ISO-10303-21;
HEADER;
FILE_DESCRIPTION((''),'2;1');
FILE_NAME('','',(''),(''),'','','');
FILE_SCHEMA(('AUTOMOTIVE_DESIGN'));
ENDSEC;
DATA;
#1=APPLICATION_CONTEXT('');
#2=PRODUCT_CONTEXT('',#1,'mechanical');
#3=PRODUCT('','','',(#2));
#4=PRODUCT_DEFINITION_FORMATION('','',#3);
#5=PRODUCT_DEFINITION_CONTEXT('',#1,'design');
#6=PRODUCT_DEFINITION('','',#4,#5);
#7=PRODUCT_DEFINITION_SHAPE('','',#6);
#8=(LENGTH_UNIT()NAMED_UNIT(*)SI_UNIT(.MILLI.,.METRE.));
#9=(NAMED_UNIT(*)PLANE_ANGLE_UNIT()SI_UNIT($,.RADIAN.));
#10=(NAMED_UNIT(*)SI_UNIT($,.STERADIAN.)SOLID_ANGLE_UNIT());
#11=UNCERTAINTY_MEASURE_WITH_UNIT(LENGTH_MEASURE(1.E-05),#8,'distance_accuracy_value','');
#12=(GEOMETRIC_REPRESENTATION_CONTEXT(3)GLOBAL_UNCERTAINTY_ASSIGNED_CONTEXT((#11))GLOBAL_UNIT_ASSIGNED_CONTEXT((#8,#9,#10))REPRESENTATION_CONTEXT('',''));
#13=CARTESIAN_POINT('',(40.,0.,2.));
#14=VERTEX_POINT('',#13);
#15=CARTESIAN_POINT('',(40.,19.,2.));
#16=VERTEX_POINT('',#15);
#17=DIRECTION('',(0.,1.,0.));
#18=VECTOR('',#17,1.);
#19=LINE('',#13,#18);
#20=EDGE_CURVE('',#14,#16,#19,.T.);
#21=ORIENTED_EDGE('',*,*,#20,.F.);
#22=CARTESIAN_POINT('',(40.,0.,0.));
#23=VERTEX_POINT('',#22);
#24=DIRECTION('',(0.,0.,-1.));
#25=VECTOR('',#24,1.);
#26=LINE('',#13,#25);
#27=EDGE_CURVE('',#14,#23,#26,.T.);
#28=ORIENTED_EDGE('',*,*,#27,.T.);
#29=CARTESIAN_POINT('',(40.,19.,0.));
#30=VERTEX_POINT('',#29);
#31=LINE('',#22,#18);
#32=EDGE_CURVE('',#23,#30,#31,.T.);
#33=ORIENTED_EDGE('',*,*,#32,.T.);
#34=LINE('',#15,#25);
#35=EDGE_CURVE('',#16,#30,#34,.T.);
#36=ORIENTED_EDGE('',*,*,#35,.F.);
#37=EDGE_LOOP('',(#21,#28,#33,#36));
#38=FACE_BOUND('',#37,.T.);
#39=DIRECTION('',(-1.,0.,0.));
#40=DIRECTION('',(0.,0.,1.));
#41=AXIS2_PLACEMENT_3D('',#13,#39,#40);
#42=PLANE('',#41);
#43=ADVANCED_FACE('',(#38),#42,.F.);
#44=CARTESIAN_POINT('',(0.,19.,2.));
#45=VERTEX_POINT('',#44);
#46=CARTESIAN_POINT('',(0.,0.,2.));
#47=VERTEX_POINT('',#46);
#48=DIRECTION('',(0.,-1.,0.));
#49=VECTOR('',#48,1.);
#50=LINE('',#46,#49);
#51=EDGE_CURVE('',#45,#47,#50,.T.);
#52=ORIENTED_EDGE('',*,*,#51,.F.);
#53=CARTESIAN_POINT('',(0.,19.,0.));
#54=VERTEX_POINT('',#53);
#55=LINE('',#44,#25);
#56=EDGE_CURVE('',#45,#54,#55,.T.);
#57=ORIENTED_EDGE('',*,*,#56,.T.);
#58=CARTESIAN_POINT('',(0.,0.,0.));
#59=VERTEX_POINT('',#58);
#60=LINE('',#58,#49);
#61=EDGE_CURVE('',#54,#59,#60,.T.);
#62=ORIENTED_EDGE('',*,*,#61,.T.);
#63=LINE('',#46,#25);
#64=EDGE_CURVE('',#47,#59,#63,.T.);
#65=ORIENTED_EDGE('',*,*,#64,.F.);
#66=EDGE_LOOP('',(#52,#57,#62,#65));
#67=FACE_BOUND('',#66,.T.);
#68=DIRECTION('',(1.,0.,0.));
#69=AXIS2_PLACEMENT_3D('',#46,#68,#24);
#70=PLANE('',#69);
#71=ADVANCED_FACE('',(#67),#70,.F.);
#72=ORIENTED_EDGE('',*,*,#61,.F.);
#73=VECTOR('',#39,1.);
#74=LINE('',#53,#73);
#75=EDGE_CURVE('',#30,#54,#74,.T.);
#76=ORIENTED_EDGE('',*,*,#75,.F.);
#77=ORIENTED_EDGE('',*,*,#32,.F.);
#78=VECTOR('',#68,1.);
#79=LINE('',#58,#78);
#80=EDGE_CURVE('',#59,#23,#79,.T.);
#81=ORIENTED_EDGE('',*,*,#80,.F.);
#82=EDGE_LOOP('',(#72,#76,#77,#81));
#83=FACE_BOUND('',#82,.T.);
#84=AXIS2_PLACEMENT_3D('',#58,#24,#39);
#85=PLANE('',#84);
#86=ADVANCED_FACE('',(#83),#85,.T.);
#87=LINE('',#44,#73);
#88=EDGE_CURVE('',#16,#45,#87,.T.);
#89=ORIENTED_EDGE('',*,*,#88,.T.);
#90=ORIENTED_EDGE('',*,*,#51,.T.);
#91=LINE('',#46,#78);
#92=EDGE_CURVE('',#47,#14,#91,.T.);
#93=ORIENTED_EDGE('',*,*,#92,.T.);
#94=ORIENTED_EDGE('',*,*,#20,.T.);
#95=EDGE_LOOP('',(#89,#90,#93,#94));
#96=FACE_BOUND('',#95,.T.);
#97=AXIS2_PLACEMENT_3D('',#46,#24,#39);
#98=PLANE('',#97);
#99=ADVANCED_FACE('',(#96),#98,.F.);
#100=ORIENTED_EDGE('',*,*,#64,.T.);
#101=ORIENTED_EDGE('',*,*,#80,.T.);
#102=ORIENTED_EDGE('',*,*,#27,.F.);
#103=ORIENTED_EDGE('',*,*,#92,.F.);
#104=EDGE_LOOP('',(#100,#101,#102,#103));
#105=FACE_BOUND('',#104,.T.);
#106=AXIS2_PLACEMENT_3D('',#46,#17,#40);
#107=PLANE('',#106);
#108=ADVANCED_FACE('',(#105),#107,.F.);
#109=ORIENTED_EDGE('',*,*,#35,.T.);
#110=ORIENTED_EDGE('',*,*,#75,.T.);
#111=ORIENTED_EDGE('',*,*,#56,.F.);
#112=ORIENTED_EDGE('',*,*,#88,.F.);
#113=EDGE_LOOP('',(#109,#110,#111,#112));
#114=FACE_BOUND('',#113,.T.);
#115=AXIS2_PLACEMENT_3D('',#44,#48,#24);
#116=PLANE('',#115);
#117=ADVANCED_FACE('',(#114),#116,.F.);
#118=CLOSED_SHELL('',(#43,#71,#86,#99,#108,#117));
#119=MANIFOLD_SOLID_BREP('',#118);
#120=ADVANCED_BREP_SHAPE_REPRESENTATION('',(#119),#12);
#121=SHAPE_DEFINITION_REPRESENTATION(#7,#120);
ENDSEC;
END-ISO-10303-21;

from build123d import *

# Parameters (mm, degrees)
SKETCH_1_W      = 40
SKETCH_1_H      = 19
EXTRUDE_1_DEPTH = 2


with BuildPart() as part:
    # 草图1 → 凸台-拉伸1 (new body)
    with BuildSketch(Plane.XY):
        with Locations((20, 9.5)):
            Rectangle(SKETCH_1_W, SKETCH_1_H)
    extrude(amount=EXTRUDE_1_DEPTH)


solid = part.part
